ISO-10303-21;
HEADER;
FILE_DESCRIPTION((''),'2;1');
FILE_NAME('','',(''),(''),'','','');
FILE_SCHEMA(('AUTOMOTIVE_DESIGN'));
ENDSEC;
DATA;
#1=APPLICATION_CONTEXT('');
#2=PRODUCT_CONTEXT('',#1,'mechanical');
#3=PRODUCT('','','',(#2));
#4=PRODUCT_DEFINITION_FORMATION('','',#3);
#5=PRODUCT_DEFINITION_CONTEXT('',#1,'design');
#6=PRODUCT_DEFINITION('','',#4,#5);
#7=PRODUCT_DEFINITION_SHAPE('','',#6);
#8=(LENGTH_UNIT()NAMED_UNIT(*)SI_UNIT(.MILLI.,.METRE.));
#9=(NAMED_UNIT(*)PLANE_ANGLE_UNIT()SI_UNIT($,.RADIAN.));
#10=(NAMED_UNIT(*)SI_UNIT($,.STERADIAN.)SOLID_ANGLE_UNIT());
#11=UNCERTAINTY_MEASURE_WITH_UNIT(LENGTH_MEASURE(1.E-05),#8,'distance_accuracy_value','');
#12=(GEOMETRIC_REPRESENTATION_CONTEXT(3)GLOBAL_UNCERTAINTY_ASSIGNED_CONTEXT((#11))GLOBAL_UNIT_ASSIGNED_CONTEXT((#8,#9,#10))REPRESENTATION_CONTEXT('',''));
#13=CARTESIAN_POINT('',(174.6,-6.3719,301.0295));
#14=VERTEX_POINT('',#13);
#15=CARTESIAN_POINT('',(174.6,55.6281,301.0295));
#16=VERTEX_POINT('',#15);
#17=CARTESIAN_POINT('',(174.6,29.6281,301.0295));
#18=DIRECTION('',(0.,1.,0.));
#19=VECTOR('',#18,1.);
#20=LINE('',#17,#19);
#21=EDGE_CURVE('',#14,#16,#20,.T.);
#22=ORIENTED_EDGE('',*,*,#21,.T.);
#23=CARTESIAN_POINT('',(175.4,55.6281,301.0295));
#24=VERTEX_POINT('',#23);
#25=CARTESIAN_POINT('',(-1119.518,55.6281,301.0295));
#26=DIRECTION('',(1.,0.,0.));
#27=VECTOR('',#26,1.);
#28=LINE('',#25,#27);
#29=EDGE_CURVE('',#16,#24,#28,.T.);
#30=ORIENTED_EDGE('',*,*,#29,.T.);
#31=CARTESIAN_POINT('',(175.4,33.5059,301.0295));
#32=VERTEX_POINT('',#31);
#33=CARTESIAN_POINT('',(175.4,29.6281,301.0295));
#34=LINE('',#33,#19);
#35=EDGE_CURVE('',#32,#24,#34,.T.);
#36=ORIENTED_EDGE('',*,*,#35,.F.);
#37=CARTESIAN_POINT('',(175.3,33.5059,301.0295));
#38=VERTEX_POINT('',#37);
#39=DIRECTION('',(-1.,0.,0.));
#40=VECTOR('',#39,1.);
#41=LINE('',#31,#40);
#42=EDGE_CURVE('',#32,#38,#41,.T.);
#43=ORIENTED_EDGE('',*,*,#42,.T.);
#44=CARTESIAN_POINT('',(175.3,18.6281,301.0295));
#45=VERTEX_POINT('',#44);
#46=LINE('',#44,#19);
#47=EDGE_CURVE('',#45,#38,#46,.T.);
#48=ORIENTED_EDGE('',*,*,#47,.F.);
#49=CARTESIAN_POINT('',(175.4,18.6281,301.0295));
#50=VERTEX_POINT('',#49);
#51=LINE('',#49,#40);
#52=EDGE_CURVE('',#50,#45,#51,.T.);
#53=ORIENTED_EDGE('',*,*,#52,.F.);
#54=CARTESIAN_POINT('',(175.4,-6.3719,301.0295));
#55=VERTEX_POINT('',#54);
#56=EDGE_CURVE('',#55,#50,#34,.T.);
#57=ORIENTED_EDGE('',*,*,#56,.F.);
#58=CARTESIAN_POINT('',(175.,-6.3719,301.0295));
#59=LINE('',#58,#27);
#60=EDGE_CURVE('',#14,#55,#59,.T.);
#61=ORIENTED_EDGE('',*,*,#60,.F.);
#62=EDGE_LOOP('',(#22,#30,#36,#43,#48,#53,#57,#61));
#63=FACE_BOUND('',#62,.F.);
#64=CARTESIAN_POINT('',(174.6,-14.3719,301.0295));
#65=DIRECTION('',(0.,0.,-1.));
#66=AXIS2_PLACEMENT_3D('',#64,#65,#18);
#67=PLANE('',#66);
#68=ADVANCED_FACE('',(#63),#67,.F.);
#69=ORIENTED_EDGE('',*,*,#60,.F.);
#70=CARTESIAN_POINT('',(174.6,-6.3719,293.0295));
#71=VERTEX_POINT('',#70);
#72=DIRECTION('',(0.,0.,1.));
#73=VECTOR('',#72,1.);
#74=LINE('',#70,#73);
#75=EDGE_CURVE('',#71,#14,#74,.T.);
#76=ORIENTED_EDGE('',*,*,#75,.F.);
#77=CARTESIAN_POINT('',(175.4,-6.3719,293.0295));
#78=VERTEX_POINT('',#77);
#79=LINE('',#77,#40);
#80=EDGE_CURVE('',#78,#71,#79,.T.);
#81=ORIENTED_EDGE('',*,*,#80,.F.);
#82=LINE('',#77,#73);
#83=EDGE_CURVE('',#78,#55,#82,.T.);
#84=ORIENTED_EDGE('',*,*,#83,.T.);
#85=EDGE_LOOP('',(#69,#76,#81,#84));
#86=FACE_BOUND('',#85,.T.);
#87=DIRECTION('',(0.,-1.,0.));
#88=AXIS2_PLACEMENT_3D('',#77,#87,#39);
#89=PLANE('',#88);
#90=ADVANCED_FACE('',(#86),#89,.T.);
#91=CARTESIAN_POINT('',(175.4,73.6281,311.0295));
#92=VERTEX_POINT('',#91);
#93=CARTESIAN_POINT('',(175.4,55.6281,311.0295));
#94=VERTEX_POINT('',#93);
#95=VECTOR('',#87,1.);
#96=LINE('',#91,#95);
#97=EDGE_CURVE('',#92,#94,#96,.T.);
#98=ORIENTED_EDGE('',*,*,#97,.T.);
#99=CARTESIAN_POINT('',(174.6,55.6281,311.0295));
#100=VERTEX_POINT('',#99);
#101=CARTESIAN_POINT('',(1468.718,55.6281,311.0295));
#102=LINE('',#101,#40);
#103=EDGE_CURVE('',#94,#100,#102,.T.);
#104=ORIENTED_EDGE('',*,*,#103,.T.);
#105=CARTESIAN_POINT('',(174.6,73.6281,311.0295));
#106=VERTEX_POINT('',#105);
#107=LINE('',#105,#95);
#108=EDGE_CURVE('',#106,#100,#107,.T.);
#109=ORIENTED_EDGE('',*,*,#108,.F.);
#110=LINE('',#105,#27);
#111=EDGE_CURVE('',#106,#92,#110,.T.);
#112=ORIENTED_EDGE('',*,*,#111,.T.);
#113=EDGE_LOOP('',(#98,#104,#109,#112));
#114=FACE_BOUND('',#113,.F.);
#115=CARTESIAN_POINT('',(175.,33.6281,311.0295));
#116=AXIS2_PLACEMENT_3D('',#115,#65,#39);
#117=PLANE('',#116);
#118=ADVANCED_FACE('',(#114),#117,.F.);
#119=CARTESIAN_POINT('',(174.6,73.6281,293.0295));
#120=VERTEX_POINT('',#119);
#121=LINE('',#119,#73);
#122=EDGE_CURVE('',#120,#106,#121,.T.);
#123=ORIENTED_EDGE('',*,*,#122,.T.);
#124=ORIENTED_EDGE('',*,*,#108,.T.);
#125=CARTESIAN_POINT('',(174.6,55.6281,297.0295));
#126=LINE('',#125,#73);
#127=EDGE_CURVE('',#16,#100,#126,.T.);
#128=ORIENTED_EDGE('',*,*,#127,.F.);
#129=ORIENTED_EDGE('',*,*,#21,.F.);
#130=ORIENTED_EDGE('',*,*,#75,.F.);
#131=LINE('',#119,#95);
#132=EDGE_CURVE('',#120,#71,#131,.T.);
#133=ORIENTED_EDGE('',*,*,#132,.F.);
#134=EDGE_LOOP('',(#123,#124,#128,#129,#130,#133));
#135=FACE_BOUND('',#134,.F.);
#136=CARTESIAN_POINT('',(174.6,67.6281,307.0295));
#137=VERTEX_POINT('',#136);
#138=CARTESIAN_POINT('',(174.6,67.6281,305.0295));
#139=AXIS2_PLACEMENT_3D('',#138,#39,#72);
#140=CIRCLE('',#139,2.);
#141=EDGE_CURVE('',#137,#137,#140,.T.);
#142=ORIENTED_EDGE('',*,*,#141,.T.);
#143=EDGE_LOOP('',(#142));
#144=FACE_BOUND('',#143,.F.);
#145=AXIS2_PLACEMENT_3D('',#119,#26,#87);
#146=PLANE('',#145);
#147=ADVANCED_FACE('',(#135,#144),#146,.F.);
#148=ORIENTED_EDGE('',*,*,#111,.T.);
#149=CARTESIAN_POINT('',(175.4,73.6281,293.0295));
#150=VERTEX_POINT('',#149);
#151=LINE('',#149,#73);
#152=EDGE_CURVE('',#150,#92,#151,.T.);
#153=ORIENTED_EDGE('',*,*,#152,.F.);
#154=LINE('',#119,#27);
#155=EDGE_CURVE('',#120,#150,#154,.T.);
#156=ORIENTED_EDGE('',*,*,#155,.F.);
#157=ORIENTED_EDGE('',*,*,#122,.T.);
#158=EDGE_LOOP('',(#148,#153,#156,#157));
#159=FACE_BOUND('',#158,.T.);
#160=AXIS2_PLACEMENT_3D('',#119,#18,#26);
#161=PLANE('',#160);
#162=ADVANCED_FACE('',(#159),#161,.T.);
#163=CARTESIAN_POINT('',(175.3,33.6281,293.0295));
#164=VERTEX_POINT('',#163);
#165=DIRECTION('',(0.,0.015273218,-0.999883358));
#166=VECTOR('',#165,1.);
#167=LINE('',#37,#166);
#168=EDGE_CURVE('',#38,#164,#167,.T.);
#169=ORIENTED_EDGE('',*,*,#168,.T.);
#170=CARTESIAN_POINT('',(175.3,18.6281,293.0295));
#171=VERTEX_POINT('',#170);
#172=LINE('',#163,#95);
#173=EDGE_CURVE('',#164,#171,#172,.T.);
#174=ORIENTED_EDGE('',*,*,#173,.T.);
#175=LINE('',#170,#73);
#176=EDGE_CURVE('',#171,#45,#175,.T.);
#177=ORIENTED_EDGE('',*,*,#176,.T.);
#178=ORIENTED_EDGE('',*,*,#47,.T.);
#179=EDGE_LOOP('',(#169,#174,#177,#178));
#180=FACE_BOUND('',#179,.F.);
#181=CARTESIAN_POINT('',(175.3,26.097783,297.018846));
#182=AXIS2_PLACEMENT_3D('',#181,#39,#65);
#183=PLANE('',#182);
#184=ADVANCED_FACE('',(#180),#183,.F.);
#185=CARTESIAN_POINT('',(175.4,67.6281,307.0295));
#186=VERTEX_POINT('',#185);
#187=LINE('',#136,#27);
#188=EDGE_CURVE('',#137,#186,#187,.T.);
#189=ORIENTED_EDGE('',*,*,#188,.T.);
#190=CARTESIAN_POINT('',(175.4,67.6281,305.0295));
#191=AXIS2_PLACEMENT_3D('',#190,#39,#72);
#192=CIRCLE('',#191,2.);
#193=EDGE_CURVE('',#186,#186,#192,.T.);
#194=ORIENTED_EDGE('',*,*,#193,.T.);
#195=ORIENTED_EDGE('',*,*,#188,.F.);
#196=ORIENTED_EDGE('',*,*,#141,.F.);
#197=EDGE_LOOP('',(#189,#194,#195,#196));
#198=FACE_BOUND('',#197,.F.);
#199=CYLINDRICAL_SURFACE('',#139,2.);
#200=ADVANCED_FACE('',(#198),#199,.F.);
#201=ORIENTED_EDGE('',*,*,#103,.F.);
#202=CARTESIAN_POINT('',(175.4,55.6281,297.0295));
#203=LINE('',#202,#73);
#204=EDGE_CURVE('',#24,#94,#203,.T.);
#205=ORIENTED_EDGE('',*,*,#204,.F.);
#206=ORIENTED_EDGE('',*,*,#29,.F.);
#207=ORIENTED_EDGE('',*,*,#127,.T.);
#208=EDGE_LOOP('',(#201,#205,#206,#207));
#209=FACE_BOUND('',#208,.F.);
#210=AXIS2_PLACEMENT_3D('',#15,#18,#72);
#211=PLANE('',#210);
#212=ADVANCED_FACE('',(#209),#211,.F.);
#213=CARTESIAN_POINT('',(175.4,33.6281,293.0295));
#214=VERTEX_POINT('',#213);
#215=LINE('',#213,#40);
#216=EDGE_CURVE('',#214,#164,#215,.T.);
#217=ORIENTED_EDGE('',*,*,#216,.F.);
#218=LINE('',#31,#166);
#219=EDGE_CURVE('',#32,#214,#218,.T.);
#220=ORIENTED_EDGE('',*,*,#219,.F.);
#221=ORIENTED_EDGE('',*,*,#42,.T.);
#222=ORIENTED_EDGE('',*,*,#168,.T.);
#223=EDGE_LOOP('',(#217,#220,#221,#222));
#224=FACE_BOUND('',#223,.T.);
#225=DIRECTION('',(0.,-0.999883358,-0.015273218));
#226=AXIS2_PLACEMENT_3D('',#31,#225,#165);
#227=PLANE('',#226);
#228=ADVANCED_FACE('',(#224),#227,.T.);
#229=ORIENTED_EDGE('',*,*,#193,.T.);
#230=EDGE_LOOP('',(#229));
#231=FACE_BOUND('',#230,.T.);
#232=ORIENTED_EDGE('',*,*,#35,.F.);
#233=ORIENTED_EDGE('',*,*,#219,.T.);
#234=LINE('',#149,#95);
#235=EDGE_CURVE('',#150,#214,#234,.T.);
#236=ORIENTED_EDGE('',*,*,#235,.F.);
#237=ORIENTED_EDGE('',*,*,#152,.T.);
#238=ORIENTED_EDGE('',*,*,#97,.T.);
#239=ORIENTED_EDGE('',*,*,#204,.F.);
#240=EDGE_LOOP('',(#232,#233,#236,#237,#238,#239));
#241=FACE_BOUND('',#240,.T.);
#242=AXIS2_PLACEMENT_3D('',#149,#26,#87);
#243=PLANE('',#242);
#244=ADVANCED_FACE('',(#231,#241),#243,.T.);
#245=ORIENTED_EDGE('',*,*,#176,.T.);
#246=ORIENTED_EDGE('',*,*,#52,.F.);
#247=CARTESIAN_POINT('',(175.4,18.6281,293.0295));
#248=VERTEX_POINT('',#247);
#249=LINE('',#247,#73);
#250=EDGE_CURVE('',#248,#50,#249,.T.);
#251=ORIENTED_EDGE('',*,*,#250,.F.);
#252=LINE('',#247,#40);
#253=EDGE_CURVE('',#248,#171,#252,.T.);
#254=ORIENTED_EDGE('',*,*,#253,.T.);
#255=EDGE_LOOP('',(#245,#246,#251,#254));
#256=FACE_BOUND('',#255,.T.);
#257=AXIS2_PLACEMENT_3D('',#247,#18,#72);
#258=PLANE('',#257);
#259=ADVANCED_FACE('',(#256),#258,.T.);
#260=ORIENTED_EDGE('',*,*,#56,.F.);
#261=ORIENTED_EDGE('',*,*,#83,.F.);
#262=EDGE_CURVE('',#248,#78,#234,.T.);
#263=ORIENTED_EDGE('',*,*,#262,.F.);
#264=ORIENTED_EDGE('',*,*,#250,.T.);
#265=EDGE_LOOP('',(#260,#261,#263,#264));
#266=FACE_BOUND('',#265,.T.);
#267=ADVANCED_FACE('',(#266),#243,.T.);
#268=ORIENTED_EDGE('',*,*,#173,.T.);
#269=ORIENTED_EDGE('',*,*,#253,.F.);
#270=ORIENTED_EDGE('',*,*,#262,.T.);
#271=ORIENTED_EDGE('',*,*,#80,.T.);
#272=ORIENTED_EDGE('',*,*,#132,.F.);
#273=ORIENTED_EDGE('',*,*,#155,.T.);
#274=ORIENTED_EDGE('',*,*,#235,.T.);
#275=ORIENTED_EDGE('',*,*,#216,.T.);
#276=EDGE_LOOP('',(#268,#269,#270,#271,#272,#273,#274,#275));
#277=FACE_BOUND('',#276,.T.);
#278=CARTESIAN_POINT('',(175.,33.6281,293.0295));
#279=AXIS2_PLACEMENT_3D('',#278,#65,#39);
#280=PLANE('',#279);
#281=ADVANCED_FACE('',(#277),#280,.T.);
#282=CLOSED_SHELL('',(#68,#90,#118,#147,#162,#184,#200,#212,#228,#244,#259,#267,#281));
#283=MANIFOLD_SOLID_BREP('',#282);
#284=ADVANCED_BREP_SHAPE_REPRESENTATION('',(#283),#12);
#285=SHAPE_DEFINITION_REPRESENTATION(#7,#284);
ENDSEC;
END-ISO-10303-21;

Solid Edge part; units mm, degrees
sketch "Sketch1" plane through (0, 0, 293.0295) normal (0, 0, 1) x (1, 0, 0)
  line L0 (175.4, 73.6281) -> (175.4, -6.3719)
  line L1 (175.4, -6.3719) -> (174.6, -6.3719)
  line L2 (174.6, 73.6281) -> (174.6, -6.3719)
  line L3 (174.6, 73.6281) -> (175.4, 73.6281)
extrude "Protrusion1" add sketch "Sketch1" along normal blind 18
sketch "Sketch2" plane through (174.6, 56.2359, 300.5295) normal (-1, 0, 0) x (0, 0, 1)
  circle A0 centre (4.5, 11.3922) radius 2
  line L0 (10.5, -70.6078) -> (0.5, -70.6078)
  line L1 (0.5, -70.6078) -> (0.5, -0.6078)
  line L2 (0.5, -0.6078) -> (10.5, -0.6078)
  line L3 (10.5, -0.6078) -> (10.5, -70.6078)
  dimension "D1" = 6
  dimension "D2" = 6
  dimension "D3" = 70
  dimension "D4" = 18
  dimension "D5" = 10
extrude "Cutout1" cut sketch "Sketch2" along normal through all and the other way through all
sketch "Sketch3" plane through (175.4, 33.6281, 302.0295) normal (1, 0, 0) x (0, 1, 0)
  line L0 (0, -9) -> (-15, -9)
  line L1 (-15, -9) -> (-15, -1)
  line L2 (-15, -1) -> (-0.1222, -1)
  line L3 (-0.1222, -1) -> (0, -9)
extrude "ExtrudedCutout_2" cut sketch "Sketch3" against normal blind 0.1
